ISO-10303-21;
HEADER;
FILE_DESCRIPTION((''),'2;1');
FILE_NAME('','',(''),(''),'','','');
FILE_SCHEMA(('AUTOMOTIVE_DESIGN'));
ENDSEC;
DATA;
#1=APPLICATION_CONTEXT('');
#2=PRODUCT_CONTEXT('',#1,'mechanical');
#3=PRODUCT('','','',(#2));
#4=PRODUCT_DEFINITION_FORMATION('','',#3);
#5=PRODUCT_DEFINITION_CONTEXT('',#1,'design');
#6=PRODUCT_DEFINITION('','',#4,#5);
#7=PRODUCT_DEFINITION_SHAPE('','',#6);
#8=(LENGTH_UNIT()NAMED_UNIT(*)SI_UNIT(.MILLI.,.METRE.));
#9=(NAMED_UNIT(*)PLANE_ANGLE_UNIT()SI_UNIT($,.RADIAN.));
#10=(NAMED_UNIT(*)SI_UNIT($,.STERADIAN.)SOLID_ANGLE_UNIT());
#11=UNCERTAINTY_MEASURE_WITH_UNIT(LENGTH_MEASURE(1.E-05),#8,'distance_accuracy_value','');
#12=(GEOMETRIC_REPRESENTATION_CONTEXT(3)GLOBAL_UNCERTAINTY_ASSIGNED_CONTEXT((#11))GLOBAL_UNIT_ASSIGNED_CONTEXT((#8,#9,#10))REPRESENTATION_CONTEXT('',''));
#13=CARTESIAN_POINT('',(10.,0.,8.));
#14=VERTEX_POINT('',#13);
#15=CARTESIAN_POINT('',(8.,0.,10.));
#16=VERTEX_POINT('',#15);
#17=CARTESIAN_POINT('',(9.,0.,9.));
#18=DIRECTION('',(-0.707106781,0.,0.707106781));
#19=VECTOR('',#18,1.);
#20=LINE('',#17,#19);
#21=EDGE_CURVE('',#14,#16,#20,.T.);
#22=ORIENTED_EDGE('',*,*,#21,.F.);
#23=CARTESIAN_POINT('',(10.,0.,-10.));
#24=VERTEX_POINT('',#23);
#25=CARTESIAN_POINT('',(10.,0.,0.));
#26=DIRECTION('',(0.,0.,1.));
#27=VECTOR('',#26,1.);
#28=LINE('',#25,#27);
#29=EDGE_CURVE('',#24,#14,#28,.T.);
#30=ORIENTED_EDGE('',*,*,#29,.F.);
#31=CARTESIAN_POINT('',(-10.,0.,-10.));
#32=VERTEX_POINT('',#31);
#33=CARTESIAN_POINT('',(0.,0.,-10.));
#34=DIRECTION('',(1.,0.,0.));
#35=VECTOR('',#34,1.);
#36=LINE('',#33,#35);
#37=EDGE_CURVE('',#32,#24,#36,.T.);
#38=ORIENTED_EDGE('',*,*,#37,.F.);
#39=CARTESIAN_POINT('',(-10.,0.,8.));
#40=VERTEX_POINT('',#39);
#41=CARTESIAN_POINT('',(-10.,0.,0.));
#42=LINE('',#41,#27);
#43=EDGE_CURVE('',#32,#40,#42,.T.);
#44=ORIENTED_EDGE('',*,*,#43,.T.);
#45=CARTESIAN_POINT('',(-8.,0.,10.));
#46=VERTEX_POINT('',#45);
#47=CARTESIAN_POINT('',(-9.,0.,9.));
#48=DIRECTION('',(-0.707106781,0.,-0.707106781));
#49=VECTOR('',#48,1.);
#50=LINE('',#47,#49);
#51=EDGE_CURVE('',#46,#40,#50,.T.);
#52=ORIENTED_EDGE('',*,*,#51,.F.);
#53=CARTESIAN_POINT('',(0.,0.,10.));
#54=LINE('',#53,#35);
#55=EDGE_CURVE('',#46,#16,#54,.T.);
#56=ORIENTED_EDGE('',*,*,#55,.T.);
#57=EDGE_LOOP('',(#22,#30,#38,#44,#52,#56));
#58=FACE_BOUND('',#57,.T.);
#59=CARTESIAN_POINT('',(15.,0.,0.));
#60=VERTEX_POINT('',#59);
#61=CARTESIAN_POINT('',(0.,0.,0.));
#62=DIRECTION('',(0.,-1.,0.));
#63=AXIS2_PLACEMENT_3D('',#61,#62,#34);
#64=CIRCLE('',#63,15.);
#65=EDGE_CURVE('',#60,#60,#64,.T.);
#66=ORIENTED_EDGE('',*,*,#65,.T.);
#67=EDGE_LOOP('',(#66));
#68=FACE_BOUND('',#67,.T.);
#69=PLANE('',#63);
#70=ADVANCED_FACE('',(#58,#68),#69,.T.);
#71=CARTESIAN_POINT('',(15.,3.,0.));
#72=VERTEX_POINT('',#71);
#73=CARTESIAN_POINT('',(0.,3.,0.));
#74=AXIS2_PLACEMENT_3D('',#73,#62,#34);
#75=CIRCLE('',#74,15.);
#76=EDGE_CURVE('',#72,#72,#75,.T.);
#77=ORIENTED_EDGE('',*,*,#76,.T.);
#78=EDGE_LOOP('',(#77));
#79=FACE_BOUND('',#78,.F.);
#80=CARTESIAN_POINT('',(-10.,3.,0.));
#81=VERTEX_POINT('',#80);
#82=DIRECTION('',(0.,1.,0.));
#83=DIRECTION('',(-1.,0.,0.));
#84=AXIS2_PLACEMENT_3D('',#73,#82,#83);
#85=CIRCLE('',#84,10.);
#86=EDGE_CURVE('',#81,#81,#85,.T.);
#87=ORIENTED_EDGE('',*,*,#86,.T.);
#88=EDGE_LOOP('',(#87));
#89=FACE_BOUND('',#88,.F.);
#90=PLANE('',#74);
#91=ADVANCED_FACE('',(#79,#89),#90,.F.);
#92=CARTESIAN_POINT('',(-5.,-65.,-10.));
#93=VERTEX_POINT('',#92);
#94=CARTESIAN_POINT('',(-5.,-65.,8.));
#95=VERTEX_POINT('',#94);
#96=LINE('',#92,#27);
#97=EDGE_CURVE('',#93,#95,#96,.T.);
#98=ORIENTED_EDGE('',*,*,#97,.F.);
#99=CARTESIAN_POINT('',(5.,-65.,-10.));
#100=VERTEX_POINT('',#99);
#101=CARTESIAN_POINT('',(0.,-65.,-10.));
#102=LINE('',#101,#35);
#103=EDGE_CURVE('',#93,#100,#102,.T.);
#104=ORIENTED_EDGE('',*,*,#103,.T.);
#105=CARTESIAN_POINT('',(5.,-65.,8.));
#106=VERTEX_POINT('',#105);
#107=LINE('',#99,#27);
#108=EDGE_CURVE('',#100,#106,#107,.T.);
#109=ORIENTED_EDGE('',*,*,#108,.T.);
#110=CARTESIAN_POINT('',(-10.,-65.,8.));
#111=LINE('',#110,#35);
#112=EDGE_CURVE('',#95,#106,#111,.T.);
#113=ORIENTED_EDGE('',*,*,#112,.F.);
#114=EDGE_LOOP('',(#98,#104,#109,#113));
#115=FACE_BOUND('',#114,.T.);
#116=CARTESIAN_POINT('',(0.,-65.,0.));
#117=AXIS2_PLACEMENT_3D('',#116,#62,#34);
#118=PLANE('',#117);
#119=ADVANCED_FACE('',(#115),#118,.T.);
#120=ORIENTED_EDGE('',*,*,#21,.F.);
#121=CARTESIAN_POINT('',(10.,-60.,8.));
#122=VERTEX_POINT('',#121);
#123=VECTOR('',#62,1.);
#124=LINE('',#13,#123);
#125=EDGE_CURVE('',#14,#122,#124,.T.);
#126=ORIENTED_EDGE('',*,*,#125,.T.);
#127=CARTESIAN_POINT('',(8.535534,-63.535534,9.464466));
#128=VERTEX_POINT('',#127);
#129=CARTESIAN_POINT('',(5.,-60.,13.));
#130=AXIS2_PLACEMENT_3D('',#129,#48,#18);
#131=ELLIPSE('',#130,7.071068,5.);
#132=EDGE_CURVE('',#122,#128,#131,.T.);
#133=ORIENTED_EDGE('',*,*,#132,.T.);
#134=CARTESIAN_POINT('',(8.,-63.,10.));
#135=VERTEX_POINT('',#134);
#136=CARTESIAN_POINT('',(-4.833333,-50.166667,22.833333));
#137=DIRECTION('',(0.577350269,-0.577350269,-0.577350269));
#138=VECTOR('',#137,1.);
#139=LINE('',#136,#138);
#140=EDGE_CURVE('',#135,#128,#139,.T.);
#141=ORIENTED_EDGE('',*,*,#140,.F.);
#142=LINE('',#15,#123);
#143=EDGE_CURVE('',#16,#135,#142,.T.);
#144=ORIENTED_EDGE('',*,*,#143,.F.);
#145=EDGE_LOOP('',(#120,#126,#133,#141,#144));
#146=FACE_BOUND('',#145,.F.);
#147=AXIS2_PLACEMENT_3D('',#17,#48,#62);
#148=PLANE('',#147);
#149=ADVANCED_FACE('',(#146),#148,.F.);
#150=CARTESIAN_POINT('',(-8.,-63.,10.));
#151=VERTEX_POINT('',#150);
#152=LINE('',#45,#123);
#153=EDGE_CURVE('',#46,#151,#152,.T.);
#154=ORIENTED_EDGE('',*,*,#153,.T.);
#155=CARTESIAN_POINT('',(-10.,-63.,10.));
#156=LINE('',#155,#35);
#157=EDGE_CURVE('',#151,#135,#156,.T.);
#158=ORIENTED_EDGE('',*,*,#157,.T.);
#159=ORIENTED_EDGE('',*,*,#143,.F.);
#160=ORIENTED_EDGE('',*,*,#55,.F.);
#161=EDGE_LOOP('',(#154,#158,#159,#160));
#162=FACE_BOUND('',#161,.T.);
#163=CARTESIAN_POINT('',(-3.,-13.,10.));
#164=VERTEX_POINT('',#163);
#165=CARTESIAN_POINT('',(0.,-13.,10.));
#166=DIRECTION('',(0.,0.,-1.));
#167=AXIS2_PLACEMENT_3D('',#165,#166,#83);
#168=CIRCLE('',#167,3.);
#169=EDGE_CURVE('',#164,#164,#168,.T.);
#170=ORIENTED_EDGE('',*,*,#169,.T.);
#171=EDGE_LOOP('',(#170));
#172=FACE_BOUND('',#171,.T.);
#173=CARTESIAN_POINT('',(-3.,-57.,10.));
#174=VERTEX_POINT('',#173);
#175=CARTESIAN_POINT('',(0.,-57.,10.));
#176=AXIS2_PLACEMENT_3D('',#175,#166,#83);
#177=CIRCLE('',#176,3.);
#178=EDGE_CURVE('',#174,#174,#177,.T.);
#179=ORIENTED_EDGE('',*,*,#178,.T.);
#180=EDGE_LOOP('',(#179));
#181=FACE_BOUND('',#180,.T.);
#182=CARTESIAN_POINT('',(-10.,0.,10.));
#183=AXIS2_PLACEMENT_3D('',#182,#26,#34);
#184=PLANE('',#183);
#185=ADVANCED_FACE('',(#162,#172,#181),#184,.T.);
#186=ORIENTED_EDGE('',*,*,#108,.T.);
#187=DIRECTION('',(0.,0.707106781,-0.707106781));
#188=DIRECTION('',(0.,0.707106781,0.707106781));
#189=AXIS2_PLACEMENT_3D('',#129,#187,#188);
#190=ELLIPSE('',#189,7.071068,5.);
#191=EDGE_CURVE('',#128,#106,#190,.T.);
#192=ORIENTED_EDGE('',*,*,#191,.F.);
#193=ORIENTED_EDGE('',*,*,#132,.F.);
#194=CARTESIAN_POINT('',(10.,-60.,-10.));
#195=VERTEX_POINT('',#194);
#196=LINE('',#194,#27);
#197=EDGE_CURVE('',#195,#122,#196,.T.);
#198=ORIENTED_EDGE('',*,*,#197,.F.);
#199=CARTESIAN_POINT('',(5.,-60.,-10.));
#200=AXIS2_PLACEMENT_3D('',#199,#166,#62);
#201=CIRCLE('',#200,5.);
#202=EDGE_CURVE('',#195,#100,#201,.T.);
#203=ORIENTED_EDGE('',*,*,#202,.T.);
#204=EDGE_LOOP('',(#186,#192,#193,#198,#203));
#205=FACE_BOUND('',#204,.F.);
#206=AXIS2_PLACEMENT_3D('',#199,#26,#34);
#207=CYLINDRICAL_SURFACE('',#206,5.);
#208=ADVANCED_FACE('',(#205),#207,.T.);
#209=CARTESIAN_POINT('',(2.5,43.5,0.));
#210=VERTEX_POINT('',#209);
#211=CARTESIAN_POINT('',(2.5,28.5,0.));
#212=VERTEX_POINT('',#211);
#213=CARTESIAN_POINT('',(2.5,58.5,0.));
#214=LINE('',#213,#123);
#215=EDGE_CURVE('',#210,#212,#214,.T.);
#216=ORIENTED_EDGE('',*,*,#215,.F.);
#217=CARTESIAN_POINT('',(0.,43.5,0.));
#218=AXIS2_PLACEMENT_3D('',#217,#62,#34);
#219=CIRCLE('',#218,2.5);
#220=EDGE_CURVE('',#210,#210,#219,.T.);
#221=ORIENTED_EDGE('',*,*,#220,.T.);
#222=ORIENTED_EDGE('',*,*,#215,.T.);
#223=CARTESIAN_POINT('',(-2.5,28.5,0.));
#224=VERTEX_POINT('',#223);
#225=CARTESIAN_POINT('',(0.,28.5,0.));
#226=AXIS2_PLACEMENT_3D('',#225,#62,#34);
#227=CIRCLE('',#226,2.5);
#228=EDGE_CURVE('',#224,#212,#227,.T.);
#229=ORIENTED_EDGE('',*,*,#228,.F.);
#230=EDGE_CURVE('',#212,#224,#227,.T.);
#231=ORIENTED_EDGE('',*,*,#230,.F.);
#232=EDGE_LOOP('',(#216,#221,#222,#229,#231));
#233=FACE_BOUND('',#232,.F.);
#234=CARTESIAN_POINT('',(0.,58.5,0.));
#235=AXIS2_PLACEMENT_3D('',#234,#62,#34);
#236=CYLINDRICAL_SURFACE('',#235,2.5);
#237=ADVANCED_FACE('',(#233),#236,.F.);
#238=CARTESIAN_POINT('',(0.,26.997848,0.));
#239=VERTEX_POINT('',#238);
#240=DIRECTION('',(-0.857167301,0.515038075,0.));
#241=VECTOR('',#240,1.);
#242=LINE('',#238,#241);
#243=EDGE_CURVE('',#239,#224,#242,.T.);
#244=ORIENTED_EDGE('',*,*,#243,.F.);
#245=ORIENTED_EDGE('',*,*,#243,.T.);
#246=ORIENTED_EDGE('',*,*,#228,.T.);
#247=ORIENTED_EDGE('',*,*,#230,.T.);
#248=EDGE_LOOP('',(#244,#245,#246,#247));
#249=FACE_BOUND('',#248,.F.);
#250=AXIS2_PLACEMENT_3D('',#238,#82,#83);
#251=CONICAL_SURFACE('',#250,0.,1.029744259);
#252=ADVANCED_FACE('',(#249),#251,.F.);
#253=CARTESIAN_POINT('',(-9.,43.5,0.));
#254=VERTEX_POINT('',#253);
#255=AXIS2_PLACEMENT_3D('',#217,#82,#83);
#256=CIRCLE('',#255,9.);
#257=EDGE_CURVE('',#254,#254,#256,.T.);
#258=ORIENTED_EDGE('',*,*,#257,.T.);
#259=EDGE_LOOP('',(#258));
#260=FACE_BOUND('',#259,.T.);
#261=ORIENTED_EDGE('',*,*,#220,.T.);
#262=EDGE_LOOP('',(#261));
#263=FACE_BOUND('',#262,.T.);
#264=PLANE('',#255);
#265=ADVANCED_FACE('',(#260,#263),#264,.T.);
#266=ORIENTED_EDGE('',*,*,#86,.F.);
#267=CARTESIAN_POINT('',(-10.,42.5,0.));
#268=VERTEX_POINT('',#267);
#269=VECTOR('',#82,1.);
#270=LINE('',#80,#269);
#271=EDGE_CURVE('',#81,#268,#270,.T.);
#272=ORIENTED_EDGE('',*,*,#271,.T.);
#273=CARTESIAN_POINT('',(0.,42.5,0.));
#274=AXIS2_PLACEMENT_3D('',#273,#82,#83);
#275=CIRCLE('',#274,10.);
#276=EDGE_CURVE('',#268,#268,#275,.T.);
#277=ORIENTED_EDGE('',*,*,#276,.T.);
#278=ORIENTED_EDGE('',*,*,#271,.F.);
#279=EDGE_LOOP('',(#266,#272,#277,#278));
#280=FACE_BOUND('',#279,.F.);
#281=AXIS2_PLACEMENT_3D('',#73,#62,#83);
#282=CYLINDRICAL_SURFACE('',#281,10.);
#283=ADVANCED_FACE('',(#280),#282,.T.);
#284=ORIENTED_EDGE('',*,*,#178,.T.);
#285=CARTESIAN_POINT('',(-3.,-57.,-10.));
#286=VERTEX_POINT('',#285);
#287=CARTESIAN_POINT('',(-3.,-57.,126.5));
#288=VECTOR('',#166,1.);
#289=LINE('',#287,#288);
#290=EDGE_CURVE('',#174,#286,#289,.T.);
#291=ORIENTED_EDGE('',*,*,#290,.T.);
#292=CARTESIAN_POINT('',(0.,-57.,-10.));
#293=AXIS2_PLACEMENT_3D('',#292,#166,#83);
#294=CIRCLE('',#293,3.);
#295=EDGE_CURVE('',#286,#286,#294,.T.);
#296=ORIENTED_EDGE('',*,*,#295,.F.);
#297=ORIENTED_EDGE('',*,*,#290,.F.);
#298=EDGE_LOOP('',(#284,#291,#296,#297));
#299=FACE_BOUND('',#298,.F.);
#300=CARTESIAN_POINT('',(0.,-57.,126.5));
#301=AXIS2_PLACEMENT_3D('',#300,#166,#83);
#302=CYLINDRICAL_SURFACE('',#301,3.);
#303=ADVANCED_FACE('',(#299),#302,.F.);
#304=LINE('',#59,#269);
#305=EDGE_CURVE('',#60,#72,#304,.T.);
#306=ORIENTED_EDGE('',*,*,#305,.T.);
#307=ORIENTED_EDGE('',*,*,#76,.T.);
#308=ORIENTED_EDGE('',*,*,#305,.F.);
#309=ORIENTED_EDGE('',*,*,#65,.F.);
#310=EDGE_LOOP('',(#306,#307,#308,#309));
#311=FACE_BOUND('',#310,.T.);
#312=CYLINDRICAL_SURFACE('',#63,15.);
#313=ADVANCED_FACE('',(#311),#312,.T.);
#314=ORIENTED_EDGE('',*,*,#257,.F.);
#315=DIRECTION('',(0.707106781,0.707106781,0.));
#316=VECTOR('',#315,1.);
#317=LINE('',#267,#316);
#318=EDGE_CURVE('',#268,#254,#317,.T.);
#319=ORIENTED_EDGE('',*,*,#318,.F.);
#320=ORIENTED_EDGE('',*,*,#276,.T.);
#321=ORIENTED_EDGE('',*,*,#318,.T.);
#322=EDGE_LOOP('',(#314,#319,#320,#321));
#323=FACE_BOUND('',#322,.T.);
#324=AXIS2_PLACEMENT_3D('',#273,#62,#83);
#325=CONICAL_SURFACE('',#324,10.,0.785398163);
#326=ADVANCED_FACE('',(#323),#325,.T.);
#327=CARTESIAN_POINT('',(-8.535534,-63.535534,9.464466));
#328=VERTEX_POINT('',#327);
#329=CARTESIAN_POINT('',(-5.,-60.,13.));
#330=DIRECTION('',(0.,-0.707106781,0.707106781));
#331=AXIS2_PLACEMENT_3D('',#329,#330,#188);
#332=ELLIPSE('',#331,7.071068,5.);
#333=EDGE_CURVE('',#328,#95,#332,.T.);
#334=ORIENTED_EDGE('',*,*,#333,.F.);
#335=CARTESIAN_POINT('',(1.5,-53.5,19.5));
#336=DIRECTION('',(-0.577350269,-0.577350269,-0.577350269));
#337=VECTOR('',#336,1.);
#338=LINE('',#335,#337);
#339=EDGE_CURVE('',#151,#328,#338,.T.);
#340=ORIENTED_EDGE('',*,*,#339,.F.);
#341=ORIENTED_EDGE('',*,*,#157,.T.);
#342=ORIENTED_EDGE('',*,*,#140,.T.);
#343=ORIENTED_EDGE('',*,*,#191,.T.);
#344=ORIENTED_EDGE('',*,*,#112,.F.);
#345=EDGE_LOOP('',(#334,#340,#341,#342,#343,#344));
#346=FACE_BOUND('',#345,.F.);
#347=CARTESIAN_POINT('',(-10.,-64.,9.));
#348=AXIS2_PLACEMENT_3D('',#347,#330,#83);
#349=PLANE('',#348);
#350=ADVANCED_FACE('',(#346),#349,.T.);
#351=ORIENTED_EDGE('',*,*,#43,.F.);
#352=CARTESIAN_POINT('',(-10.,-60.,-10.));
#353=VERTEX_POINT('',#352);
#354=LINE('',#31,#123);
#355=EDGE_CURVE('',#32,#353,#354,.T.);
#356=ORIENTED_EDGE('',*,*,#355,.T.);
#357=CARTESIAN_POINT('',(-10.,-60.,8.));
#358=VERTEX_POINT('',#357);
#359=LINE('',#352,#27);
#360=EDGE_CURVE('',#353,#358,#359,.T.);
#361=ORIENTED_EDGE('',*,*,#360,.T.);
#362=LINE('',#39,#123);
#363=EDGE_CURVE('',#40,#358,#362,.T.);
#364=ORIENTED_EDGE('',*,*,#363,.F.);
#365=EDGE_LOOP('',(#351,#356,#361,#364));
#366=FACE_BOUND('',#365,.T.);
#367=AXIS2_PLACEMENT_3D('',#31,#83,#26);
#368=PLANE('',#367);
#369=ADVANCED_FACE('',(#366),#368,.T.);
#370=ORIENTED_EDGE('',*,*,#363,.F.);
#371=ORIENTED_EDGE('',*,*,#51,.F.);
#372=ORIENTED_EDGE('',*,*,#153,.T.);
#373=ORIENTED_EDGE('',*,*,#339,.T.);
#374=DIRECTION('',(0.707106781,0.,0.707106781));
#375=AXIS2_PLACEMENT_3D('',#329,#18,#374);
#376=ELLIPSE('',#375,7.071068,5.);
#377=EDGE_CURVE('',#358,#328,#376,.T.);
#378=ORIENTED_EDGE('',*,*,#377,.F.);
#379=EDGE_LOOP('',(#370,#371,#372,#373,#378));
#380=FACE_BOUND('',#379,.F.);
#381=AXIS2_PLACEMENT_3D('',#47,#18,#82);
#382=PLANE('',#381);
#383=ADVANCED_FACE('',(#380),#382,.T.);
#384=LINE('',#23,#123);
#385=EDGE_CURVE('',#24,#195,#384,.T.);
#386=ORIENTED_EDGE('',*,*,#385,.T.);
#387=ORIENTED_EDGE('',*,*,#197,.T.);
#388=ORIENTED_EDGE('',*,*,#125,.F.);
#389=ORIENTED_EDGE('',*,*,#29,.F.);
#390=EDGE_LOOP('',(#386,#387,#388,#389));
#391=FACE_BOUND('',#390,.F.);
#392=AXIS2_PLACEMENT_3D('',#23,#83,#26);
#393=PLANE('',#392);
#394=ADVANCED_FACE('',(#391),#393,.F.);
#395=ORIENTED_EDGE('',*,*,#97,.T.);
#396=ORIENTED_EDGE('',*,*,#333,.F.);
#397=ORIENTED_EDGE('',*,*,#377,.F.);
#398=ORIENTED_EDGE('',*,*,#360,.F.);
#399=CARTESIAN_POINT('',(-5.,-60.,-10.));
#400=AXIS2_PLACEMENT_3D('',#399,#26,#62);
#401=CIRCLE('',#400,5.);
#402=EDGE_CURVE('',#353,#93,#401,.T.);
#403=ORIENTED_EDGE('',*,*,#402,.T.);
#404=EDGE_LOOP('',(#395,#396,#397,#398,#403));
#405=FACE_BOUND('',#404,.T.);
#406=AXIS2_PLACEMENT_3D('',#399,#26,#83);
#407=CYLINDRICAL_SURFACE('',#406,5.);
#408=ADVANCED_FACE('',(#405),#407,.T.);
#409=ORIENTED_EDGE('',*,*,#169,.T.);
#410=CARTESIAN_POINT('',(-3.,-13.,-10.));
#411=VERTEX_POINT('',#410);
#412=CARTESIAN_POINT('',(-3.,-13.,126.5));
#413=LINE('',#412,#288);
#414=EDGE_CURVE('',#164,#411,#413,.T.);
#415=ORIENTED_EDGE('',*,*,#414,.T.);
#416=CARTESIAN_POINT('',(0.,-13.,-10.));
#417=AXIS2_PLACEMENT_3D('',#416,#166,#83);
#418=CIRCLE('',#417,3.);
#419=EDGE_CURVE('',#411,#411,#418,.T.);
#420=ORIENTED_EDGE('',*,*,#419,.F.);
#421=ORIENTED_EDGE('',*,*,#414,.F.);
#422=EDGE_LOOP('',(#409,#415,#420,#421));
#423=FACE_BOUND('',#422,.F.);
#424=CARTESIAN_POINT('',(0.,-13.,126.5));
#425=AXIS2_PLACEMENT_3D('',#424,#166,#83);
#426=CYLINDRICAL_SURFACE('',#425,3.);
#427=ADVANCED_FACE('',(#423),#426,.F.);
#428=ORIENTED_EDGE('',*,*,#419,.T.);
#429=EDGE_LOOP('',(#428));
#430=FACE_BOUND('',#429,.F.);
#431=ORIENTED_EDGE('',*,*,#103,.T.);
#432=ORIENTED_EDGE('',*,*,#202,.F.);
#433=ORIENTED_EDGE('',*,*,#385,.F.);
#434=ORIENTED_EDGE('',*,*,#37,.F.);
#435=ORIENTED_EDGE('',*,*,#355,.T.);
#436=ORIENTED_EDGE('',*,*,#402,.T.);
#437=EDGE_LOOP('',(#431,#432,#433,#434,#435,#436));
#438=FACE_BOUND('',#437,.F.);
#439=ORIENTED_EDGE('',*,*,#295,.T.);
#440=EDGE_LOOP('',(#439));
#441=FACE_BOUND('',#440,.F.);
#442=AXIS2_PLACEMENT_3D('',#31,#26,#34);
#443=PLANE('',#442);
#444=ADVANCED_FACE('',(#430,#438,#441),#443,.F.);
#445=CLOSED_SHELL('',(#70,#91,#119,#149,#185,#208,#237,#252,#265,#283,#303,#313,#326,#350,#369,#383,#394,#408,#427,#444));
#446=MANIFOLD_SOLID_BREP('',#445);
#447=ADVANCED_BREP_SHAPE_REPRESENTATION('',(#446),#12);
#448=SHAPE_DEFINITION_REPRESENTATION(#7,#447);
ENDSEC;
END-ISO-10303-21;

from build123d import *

# Parameters (mm, degrees)
F0_W      = 20
F0_H      = 20
F1_DEPTH  = 65
F0_R      = 15
F1_FACE_W = 20
F1_FACE_H = 20
F2_DEPTH  = 3
F3_R      = 10
F4_DEPTH  = 40.5
F6_D      = 5
F6_DEPTH  = 15
F6_TIP    = 1.5021515476
F7_SIZE   = 1
F9_D      = 6
F10_SIZE  = 2
F11_R     = 5


with BuildPart() as f1:
    # F0 (on Front) → F1 (new body)
    with BuildSketch(Plane.XZ):
        Rectangle(F0_W, F0_H)
    extrude(amount=F1_DEPTH)

    # F0 (on Front) + F1_face (on face) → F2 (join)
    with BuildSketch(Plane.XZ):
        Circle(F0_R)
        Rectangle(F0_W, F0_H, mode=Mode.SUBTRACT)
        Rectangle(F0_W, F0_H)
    with BuildSketch(Plane(origin=(0, 0, 0), x_dir=(1, 0, 0), z_dir=(0, 1, 0))):
        Rectangle(F1_FACE_W, F1_FACE_H)
    extrude(amount=-F2_DEPTH, dir=(0, -1, 0))

    # F3 (on face) → F4 (join)
    with BuildSketch(Plane(origin=(0, 3, 0), x_dir=(-1, 0, 0), z_dir=(0, 1, 0))):
        Circle(F3_R)
    extrude(amount=F4_DEPTH)

    # F6
    with Locations(Plane(origin=(0, 43.5, 0), x_dir=(-1, 0, 0), z_dir=(0, 1, 0))):
        with Locations((0, 0)):
            Hole(F6_D / 2, depth=F6_DEPTH)
            with Locations((0, 0, -(F6_DEPTH + F6_TIP / 2))):  # 118° drill point
                Cone(0, F6_D / 2, F6_TIP, mode=Mode.SUBTRACT)

    # F7
    f7_edges = [f1.edges().sort_by_distance(p)[0] for p in [
        (10, 43.5, 0),
    ]]
    chamfer(f7_edges, length=F7_SIZE)

    # F9 (through all)
    with Locations(Plane.XY.offset(10)):
        with Locations((0, -13), (0, -57)):
            Hole(F9_D / 2)

    # F10
    f10_edges = [f1.edges().sort_by_distance(p)[0] for p in [
        (0, -65, 10),
        (-10, -32.5, 10),
        (10, -32.5, 10),
    ]]
    chamfer(f10_edges, length=F10_SIZE)

    # F11
    f11_edges = [f1.edges().sort_by_distance(p)[0] for p in [
        (-10, -65, -1),
        (10, -65, -1),
    ]]
    fillet(f11_edges, radius=F11_R)


solid = f1.part
